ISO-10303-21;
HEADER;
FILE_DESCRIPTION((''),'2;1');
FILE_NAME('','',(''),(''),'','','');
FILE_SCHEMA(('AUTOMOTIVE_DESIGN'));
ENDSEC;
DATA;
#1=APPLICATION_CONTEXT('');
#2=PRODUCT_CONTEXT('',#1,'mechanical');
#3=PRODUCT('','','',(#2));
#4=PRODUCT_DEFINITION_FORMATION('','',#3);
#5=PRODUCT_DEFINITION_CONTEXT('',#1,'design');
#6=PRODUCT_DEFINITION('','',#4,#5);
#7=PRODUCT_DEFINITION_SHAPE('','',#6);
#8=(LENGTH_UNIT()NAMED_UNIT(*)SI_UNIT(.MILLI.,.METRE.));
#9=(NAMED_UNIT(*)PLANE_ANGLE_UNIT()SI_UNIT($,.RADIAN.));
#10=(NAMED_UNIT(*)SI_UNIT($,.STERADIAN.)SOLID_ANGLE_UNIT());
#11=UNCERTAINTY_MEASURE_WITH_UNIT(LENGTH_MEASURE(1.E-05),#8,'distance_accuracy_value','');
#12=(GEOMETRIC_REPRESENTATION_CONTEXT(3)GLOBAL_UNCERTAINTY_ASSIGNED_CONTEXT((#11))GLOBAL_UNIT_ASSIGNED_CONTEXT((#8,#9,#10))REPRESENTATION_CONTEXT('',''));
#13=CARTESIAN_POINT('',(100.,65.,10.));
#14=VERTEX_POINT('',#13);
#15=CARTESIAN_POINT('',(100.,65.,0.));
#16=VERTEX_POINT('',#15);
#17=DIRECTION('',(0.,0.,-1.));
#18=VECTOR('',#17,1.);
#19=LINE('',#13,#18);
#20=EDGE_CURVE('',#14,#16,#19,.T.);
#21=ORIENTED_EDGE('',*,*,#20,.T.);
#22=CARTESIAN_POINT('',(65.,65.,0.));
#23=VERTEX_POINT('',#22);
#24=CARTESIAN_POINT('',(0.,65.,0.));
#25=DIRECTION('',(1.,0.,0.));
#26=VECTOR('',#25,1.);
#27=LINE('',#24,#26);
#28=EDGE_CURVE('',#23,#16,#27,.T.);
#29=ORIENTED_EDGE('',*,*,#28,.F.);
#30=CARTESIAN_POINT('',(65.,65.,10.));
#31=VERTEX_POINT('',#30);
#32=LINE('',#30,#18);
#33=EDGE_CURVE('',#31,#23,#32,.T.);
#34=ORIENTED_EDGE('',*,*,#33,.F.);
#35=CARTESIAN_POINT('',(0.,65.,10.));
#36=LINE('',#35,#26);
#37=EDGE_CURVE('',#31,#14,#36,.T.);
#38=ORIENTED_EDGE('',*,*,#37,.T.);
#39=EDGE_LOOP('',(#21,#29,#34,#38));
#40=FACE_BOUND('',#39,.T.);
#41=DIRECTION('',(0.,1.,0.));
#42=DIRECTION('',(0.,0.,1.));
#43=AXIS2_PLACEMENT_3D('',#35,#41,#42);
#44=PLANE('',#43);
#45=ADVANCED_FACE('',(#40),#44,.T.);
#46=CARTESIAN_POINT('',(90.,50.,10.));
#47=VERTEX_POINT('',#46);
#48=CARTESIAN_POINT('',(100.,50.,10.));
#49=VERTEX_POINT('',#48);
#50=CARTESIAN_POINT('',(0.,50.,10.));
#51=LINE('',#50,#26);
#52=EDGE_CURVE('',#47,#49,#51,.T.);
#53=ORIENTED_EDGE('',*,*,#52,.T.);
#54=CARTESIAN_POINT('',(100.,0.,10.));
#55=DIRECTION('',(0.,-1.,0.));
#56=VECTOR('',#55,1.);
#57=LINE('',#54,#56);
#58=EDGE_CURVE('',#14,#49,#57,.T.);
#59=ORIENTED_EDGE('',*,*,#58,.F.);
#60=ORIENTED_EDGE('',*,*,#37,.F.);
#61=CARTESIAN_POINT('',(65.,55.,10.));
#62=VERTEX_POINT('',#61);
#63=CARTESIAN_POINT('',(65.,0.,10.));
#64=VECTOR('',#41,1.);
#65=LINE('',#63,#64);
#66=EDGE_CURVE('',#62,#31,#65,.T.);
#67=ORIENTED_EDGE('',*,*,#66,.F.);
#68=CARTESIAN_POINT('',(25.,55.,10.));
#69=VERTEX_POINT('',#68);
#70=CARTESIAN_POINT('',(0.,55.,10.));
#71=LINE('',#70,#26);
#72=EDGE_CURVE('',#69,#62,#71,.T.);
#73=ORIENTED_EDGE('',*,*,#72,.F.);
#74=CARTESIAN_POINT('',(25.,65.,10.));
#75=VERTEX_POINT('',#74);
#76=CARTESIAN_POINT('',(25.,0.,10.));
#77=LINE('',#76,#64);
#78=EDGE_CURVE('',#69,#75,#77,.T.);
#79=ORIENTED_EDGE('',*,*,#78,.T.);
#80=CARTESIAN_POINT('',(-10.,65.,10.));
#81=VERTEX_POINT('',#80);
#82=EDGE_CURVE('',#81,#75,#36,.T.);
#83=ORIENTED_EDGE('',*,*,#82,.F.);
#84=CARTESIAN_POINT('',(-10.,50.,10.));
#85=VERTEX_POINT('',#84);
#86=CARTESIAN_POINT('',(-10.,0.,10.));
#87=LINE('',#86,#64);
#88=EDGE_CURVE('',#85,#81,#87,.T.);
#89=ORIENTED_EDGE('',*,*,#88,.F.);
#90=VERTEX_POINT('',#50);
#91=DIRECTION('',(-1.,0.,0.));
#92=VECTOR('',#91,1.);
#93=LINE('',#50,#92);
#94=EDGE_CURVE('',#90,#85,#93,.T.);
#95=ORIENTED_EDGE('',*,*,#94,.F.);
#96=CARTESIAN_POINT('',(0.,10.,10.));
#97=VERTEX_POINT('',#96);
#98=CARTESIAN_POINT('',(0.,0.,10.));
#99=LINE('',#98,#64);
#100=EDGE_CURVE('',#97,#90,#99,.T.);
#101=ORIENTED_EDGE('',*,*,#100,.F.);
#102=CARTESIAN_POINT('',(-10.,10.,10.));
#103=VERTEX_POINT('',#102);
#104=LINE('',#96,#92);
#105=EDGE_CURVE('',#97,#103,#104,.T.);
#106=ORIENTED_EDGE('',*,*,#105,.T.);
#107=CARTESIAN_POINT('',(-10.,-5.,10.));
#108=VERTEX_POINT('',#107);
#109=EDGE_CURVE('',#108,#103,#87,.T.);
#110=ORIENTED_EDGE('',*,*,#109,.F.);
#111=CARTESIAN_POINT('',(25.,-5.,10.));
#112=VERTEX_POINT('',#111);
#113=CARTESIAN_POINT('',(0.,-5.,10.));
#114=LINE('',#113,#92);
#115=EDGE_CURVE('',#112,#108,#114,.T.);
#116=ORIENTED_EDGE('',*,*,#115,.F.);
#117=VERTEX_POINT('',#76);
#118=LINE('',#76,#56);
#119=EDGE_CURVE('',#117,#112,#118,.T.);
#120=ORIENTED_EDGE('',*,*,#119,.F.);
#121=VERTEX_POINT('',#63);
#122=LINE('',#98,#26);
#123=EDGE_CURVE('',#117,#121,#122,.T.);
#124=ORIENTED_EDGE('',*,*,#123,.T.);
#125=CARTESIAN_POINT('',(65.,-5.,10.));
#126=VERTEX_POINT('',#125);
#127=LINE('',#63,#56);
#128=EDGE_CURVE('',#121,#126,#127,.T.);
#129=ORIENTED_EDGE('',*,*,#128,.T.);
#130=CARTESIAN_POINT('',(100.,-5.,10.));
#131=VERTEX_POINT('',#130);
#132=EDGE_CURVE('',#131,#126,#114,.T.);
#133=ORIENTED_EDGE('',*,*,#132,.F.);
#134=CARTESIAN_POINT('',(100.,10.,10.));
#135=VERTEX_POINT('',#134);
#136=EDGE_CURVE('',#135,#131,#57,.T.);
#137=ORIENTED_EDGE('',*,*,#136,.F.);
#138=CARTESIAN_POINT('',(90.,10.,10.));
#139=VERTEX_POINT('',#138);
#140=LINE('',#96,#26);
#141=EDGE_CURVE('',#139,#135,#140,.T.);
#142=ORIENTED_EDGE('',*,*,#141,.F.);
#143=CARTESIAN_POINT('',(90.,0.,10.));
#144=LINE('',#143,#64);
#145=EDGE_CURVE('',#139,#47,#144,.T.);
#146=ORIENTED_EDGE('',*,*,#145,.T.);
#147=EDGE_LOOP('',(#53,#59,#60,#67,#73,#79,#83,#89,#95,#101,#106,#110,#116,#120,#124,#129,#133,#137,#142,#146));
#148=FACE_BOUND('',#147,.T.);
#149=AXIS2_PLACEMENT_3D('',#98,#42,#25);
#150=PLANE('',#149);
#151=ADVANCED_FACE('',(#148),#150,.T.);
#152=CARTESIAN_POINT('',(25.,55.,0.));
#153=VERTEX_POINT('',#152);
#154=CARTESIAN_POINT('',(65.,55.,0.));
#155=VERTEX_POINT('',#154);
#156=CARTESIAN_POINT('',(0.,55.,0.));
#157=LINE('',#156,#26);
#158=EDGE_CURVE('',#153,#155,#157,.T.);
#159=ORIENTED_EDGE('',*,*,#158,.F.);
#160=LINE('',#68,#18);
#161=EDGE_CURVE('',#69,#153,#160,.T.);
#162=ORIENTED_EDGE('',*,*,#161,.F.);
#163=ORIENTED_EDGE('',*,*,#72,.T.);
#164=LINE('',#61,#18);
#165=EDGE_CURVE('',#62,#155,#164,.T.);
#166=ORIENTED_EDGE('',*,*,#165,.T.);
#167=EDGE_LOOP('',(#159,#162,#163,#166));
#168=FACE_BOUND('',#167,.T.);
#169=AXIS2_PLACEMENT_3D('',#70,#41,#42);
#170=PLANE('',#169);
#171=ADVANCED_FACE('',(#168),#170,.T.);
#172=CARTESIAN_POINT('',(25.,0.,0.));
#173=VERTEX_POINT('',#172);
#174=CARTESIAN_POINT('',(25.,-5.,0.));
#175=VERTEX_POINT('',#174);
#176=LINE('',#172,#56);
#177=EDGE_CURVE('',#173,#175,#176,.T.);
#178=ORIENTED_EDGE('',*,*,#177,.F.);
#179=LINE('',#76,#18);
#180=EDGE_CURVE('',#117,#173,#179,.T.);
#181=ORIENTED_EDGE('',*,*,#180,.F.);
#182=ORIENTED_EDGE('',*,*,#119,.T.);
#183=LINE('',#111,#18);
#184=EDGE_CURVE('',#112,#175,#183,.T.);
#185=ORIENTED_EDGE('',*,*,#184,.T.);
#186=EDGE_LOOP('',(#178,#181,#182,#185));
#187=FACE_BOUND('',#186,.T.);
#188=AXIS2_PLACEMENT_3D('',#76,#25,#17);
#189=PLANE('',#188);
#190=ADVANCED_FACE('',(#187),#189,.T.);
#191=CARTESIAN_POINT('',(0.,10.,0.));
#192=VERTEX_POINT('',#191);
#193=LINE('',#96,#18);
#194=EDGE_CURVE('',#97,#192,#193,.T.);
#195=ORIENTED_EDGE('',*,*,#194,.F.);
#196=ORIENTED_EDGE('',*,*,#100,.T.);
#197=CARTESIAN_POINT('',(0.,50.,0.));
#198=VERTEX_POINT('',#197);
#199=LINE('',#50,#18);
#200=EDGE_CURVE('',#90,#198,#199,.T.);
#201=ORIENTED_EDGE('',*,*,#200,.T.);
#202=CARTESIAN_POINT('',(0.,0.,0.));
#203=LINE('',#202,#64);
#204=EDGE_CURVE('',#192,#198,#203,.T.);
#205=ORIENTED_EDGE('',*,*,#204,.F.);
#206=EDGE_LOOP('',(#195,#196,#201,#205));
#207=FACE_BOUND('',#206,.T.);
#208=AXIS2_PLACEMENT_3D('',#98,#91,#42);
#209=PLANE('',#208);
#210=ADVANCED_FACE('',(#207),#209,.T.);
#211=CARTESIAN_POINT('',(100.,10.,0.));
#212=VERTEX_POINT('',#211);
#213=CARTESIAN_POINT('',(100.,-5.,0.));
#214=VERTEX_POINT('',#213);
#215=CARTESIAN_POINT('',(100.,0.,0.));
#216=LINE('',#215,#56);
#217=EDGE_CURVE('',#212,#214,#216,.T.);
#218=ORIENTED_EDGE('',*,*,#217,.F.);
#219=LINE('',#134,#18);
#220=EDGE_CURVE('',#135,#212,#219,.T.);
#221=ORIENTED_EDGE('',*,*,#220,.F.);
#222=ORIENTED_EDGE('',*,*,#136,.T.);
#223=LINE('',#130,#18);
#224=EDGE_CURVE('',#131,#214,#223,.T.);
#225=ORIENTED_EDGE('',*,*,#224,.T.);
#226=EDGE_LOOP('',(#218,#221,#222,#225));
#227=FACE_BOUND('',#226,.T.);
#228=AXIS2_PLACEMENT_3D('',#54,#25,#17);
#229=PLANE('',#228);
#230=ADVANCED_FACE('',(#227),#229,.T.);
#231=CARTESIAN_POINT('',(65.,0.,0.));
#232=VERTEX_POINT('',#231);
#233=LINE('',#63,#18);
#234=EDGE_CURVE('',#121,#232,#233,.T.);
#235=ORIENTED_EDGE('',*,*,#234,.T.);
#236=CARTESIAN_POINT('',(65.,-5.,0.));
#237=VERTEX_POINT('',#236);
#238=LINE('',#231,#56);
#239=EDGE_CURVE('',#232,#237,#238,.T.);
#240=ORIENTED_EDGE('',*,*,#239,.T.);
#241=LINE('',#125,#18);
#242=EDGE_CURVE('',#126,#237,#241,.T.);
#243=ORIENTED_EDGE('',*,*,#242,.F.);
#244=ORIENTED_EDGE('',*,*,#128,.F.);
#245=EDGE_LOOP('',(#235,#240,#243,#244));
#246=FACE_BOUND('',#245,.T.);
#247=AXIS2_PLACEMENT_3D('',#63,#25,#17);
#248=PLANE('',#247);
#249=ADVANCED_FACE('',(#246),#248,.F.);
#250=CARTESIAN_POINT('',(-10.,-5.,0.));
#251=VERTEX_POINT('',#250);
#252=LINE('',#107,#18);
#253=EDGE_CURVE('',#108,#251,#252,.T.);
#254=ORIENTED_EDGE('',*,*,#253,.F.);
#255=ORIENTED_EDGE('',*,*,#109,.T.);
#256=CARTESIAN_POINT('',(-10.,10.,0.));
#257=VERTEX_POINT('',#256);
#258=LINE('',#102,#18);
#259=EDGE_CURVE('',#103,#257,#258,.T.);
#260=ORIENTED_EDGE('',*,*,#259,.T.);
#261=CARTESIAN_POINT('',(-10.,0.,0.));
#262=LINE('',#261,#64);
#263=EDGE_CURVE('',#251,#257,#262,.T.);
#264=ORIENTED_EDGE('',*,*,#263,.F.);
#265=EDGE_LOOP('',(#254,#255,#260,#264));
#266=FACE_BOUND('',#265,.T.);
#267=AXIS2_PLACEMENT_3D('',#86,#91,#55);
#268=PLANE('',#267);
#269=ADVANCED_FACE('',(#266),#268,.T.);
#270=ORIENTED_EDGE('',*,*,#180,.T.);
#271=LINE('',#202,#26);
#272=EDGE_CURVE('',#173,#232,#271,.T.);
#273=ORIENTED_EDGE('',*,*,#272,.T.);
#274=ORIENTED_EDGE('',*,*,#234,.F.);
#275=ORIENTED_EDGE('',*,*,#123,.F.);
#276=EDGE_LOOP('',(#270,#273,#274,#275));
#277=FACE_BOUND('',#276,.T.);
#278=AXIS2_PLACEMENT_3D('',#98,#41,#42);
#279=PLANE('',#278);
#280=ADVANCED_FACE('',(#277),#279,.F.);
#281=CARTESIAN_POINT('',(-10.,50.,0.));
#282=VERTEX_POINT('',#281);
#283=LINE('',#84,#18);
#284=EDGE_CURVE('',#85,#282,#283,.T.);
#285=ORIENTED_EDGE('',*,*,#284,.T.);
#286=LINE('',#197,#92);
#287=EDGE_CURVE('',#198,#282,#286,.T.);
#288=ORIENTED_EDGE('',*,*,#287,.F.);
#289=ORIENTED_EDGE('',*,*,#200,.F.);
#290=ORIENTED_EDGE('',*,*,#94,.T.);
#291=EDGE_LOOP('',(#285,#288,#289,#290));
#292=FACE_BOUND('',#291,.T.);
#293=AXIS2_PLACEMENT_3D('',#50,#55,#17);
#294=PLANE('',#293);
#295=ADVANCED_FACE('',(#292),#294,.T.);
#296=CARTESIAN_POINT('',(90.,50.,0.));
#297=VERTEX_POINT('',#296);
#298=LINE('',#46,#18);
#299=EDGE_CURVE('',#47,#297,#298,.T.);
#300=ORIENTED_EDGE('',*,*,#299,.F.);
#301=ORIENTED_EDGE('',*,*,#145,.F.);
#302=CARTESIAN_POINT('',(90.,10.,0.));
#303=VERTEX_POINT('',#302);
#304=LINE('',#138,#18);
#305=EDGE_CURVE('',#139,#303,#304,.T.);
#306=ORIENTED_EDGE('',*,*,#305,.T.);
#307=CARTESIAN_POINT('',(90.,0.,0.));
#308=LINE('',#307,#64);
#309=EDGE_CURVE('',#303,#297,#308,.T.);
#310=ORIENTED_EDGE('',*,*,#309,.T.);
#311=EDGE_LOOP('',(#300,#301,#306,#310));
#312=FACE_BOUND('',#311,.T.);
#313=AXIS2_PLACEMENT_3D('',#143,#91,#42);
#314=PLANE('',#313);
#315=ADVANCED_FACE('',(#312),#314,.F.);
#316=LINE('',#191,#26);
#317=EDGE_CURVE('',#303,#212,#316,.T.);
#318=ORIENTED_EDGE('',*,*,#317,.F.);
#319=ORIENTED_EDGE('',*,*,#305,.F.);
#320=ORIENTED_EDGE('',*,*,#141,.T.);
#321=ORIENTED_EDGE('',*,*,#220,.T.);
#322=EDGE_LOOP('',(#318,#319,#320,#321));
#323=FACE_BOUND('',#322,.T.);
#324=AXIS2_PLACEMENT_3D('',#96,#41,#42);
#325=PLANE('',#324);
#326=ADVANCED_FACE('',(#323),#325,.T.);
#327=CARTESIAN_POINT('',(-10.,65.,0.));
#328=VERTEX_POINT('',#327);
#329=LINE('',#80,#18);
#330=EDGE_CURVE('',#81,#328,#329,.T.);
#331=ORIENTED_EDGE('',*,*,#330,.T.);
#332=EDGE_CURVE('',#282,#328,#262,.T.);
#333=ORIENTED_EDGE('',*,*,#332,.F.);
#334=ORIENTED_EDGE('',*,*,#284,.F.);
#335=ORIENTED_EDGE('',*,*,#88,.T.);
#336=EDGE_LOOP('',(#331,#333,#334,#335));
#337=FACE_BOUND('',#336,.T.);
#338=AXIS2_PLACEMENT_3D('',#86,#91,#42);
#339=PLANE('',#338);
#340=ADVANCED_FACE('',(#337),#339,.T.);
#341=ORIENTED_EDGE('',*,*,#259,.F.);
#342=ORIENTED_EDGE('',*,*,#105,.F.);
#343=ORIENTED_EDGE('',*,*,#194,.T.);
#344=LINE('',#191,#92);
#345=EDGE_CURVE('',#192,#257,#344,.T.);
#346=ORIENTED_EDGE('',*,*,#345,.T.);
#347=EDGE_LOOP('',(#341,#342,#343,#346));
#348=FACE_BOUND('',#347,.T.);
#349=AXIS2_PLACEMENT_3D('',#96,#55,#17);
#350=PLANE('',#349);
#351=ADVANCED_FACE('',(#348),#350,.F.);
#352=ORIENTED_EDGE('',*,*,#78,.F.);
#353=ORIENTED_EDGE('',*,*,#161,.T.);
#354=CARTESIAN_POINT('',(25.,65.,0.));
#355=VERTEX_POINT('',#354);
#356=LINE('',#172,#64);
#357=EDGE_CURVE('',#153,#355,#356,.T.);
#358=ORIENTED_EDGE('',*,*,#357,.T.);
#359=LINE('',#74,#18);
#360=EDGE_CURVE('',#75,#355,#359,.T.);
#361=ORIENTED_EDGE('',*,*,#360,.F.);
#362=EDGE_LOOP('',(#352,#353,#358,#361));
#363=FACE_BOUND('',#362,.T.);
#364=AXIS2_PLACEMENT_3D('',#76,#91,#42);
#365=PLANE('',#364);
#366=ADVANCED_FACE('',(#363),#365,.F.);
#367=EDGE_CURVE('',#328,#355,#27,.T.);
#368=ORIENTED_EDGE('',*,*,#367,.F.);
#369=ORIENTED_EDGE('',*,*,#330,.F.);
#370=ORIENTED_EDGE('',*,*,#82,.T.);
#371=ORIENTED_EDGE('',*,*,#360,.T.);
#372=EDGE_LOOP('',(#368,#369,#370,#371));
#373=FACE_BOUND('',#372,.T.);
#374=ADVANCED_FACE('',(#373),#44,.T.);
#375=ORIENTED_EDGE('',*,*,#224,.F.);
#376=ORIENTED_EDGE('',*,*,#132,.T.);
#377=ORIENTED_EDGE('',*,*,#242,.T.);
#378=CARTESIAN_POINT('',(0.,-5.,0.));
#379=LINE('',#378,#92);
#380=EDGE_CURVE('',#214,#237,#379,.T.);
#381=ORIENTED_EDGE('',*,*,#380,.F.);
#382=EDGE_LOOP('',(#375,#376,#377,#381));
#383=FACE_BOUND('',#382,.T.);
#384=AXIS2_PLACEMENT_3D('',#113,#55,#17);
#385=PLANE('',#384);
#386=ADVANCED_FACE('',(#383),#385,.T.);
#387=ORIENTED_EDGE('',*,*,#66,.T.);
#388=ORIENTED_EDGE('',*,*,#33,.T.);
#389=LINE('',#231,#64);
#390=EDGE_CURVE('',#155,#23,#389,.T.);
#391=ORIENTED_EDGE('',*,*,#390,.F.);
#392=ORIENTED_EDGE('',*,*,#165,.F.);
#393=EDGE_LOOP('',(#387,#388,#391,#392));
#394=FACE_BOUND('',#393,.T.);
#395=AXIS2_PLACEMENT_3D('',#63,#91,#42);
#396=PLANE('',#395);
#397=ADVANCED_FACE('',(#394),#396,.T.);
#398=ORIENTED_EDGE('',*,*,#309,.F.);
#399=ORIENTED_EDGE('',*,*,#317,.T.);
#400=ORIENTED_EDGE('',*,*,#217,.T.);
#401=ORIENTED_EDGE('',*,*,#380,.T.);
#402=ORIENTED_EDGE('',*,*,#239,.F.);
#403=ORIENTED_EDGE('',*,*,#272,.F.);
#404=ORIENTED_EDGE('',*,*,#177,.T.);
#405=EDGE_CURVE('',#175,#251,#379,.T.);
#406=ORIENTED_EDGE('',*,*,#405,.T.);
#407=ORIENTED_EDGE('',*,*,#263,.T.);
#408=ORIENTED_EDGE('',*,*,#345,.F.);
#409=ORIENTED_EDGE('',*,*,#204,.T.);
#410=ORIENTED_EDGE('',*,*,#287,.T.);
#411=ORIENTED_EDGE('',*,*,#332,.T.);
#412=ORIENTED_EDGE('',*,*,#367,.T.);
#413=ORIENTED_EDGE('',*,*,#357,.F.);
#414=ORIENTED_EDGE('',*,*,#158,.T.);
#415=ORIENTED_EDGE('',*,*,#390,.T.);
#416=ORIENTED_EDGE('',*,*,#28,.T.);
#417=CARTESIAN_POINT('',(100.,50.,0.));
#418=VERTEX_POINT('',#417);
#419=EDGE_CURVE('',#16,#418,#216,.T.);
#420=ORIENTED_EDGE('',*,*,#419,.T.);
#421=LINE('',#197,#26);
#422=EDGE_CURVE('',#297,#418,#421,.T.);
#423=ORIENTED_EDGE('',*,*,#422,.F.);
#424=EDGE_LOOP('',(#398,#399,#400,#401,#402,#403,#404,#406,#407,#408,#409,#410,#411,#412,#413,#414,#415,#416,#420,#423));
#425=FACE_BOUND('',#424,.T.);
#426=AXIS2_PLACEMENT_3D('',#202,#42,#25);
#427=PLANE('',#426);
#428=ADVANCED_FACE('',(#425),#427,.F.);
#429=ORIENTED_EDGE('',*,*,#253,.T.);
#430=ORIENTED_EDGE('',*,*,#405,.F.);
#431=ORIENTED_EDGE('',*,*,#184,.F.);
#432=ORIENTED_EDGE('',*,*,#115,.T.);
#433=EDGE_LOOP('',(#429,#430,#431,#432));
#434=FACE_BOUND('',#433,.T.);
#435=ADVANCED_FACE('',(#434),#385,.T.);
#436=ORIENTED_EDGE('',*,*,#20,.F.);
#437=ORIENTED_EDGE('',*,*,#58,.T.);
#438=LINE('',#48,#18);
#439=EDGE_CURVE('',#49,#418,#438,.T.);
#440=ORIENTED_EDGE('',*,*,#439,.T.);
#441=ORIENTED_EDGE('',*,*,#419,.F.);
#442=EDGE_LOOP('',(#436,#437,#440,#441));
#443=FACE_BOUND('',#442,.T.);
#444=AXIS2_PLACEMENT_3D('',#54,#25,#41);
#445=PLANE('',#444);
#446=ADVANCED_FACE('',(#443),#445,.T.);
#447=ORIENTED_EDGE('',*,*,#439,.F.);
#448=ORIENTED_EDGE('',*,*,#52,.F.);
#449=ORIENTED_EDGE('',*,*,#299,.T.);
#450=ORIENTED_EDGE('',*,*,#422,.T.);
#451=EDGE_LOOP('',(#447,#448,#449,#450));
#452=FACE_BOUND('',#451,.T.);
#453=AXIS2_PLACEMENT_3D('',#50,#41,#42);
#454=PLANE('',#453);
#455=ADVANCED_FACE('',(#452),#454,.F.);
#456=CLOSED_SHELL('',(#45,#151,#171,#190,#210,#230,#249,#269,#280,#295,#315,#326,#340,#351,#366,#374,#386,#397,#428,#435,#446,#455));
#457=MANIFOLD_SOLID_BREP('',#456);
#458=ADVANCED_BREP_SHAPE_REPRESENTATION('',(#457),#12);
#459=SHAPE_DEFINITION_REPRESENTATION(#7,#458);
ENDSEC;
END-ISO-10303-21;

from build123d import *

# Parameters (mm, degrees)
BOSS_EXTRUDE1_DEPTH = 10


with BuildPart() as part:
    # Sketch2 → Boss-Extrude1 (new body)
    with BuildSketch(Plane.XY):
        Polygon((-10, 65), (-10, 50), (0, 50), (0, 10), (-10, 10), (-10, -5), (25, -5), (25, 0), (65, 0), (65, -5), (100, -5), (100, 10), (90, 10), (90, 50), (100, 50), (100, 65), (65, 65), (65, 55), (25, 55), (25, 65), align=None)
    extrude(amount=BOSS_EXTRUDE1_DEPTH)


solid = part.part
